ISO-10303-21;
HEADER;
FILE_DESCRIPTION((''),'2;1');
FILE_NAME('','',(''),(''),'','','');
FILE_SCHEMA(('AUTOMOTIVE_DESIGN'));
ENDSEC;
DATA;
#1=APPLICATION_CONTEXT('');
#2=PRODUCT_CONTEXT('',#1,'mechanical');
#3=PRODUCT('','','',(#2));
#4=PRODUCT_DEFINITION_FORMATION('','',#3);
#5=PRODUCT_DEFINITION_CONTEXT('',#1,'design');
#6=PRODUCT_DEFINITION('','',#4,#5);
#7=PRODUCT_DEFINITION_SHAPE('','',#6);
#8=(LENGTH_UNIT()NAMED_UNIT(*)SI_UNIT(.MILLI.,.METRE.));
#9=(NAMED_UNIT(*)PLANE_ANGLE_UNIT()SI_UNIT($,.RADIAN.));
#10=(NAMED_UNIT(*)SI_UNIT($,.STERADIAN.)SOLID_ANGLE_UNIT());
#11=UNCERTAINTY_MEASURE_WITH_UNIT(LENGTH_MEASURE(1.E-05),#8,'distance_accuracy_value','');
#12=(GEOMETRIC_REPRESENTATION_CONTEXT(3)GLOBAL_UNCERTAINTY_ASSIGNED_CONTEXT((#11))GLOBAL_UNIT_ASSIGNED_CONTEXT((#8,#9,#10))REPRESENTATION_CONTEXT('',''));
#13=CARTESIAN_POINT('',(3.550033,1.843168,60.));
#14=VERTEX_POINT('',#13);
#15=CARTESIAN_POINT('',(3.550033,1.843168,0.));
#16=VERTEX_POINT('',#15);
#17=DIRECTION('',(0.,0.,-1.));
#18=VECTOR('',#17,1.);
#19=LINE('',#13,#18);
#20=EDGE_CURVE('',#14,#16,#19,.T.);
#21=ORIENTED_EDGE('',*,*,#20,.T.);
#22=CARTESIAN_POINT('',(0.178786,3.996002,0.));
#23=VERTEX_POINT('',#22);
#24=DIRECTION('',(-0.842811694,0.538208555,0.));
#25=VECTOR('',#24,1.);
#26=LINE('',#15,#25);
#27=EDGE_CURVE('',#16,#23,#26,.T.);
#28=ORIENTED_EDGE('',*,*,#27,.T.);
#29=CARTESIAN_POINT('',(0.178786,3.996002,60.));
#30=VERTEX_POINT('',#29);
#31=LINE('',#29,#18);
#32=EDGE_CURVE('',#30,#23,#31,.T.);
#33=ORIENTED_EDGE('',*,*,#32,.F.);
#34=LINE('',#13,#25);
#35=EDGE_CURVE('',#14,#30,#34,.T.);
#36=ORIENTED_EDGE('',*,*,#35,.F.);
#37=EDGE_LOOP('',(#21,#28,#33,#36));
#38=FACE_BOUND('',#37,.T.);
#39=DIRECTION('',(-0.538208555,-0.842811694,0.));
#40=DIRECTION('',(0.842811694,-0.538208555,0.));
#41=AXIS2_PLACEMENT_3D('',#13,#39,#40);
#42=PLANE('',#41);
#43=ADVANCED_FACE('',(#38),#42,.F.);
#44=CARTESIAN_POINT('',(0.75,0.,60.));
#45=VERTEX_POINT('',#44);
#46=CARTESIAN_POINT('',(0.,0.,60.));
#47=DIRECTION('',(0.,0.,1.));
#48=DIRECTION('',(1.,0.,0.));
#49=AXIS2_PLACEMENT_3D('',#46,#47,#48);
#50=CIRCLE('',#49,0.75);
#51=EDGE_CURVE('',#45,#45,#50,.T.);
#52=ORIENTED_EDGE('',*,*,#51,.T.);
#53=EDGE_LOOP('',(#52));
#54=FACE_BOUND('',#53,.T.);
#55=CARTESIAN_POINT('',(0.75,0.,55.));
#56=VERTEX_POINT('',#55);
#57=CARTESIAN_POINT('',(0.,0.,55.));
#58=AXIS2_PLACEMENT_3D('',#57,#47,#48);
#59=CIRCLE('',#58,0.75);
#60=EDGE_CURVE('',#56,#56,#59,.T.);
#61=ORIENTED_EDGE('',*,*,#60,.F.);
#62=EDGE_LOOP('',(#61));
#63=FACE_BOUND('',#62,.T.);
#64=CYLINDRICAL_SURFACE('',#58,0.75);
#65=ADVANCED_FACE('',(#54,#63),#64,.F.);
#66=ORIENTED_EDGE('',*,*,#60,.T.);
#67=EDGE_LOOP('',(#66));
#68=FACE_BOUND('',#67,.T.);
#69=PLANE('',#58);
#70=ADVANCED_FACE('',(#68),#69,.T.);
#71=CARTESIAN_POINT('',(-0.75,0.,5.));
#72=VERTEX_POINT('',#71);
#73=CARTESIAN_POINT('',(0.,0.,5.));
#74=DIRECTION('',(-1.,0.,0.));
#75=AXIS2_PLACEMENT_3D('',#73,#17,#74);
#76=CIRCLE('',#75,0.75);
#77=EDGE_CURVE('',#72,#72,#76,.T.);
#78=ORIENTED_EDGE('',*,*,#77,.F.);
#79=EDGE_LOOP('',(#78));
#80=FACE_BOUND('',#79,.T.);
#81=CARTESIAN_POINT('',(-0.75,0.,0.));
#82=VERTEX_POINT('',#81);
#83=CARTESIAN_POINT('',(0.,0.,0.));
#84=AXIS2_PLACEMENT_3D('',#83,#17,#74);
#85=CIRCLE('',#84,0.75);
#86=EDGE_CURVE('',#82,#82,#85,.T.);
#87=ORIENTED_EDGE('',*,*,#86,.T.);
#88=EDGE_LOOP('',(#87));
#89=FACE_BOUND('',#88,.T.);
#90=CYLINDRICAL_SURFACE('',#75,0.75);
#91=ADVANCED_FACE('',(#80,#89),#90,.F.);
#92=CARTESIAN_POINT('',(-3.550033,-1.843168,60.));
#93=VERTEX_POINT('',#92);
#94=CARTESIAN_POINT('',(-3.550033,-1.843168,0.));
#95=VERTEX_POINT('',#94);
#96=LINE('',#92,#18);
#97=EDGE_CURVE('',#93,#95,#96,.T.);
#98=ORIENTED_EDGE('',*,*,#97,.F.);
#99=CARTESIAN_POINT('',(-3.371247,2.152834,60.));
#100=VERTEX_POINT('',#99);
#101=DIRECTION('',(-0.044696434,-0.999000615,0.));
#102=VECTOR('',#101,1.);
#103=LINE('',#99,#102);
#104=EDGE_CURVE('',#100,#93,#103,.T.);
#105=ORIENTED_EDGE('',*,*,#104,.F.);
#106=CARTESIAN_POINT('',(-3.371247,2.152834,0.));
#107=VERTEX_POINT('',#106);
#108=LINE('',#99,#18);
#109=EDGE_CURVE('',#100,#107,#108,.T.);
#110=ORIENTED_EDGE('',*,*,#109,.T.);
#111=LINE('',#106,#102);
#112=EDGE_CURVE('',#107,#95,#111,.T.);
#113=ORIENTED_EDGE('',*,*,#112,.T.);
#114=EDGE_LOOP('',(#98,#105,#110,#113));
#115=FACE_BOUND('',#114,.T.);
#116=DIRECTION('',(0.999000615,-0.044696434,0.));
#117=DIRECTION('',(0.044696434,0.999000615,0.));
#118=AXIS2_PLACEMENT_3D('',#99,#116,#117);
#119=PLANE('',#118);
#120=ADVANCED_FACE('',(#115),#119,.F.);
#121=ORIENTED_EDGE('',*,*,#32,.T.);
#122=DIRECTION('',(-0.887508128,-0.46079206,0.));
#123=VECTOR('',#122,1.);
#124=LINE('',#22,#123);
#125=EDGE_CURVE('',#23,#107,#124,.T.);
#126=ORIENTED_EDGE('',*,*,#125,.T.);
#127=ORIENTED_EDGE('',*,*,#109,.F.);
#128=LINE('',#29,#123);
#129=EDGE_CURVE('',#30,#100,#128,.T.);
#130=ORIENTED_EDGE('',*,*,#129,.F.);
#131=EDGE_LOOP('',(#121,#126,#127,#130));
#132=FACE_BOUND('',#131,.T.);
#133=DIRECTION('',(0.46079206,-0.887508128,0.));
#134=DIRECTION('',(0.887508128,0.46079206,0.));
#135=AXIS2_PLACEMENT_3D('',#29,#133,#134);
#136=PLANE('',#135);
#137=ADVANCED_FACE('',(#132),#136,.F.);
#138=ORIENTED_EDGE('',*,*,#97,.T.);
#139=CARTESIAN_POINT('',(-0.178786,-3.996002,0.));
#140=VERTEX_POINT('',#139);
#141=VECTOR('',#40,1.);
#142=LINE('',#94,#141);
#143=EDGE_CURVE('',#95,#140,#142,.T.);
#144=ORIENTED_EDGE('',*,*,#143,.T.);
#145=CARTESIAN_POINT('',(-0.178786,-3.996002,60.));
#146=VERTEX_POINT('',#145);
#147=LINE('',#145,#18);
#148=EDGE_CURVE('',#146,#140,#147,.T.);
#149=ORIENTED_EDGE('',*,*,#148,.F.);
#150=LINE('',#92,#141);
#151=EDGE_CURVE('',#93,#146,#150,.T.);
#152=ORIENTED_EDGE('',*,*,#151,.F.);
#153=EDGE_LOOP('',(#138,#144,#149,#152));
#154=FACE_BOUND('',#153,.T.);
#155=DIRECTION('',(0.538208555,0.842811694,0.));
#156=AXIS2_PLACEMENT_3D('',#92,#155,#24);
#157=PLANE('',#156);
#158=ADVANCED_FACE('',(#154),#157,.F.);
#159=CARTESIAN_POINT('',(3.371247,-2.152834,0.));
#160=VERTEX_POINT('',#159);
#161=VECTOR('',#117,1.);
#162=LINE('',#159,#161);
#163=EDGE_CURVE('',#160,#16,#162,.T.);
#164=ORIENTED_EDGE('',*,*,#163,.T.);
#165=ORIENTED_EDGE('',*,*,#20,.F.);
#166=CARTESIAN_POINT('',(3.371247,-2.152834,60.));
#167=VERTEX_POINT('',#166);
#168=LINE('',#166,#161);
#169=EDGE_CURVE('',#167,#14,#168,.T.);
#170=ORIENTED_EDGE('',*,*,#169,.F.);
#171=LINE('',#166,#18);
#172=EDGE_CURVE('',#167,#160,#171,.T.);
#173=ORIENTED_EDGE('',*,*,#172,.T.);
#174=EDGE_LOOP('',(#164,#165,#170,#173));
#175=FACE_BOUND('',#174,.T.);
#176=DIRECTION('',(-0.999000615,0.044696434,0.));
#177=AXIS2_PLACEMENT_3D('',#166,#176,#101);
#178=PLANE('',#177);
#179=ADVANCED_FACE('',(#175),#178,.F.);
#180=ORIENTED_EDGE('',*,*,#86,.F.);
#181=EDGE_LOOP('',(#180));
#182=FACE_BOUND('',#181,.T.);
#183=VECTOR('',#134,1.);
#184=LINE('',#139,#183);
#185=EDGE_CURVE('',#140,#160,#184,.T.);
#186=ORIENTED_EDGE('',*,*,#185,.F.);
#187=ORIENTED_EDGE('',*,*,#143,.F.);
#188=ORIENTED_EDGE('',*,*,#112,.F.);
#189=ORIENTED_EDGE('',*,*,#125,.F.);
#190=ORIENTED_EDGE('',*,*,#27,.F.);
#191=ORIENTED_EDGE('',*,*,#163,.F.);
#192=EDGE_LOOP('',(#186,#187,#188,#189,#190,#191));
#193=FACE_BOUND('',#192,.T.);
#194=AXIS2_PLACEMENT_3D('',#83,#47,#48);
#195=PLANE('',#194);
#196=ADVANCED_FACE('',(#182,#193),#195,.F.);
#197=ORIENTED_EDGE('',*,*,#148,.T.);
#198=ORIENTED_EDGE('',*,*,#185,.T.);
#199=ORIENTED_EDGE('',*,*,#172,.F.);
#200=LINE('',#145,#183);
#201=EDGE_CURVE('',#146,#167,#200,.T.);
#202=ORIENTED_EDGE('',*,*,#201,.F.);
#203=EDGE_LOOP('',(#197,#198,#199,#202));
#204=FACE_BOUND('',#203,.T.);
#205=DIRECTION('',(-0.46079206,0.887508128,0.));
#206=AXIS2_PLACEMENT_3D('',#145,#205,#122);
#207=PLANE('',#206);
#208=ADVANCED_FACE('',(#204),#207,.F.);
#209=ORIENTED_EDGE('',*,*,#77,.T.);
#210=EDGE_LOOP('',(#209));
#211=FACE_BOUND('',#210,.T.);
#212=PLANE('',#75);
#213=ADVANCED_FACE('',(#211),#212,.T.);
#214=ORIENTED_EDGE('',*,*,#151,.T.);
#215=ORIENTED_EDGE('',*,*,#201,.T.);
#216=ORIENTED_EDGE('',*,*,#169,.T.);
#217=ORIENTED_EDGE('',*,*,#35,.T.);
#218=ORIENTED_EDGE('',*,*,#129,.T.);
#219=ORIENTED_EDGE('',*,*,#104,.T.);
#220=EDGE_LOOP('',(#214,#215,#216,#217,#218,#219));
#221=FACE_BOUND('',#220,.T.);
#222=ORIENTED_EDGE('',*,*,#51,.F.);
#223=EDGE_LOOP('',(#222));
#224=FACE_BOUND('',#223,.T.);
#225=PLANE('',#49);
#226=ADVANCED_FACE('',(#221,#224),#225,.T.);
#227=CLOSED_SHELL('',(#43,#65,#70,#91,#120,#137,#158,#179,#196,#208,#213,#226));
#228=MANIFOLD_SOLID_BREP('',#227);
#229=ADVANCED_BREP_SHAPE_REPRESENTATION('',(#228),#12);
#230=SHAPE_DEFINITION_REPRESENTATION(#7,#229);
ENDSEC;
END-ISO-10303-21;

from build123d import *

# Parameters (mm, degrees)
BOSS_EXTRUDE1_DEPTH = 60
SKETCH2_R           = 0.75
CUT_EXTRUDE1_DEPTH  = 5
CUT_EXTRUDE2_START  = -5
SKETCH3_R           = 0.75
CUT_EXTRUDE2_DEPTH  = 5


with BuildPart() as part:
    # Sketch1 → Boss-Extrude1 (new body)
    with BuildSketch(Plane.XY):
        Polygon((3.371246776, -2.152834219), (3.550032512, 1.843168241), (0.178785735, 3.99600246), (-3.371246776, 2.152834219), (-3.550032512, -1.843168241), (-0.178785735, -3.99600246), align=None)
    extrude(amount=BOSS_EXTRUDE1_DEPTH)

    # Sketch2 → Cut-Extrude1 (cut)
    with BuildSketch(Plane.XY.offset(60)):
        Circle(SKETCH2_R)
    extrude(amount=-CUT_EXTRUDE1_DEPTH, mode=Mode.SUBTRACT)

    # Sketch3 → Cut-Extrude2 (cut)
    with BuildSketch(Plane(origin=(0, 0, 0), x_dir=(-1, 0, 0), z_dir=(0, 0, -1)).offset(CUT_EXTRUDE2_START)):
        with Locations(Location((0, 0, 0), (0, 0, 180))):
            Circle(SKETCH3_R)
    extrude(amount=CUT_EXTRUDE2_DEPTH, mode=Mode.SUBTRACT)


solid = part.part
